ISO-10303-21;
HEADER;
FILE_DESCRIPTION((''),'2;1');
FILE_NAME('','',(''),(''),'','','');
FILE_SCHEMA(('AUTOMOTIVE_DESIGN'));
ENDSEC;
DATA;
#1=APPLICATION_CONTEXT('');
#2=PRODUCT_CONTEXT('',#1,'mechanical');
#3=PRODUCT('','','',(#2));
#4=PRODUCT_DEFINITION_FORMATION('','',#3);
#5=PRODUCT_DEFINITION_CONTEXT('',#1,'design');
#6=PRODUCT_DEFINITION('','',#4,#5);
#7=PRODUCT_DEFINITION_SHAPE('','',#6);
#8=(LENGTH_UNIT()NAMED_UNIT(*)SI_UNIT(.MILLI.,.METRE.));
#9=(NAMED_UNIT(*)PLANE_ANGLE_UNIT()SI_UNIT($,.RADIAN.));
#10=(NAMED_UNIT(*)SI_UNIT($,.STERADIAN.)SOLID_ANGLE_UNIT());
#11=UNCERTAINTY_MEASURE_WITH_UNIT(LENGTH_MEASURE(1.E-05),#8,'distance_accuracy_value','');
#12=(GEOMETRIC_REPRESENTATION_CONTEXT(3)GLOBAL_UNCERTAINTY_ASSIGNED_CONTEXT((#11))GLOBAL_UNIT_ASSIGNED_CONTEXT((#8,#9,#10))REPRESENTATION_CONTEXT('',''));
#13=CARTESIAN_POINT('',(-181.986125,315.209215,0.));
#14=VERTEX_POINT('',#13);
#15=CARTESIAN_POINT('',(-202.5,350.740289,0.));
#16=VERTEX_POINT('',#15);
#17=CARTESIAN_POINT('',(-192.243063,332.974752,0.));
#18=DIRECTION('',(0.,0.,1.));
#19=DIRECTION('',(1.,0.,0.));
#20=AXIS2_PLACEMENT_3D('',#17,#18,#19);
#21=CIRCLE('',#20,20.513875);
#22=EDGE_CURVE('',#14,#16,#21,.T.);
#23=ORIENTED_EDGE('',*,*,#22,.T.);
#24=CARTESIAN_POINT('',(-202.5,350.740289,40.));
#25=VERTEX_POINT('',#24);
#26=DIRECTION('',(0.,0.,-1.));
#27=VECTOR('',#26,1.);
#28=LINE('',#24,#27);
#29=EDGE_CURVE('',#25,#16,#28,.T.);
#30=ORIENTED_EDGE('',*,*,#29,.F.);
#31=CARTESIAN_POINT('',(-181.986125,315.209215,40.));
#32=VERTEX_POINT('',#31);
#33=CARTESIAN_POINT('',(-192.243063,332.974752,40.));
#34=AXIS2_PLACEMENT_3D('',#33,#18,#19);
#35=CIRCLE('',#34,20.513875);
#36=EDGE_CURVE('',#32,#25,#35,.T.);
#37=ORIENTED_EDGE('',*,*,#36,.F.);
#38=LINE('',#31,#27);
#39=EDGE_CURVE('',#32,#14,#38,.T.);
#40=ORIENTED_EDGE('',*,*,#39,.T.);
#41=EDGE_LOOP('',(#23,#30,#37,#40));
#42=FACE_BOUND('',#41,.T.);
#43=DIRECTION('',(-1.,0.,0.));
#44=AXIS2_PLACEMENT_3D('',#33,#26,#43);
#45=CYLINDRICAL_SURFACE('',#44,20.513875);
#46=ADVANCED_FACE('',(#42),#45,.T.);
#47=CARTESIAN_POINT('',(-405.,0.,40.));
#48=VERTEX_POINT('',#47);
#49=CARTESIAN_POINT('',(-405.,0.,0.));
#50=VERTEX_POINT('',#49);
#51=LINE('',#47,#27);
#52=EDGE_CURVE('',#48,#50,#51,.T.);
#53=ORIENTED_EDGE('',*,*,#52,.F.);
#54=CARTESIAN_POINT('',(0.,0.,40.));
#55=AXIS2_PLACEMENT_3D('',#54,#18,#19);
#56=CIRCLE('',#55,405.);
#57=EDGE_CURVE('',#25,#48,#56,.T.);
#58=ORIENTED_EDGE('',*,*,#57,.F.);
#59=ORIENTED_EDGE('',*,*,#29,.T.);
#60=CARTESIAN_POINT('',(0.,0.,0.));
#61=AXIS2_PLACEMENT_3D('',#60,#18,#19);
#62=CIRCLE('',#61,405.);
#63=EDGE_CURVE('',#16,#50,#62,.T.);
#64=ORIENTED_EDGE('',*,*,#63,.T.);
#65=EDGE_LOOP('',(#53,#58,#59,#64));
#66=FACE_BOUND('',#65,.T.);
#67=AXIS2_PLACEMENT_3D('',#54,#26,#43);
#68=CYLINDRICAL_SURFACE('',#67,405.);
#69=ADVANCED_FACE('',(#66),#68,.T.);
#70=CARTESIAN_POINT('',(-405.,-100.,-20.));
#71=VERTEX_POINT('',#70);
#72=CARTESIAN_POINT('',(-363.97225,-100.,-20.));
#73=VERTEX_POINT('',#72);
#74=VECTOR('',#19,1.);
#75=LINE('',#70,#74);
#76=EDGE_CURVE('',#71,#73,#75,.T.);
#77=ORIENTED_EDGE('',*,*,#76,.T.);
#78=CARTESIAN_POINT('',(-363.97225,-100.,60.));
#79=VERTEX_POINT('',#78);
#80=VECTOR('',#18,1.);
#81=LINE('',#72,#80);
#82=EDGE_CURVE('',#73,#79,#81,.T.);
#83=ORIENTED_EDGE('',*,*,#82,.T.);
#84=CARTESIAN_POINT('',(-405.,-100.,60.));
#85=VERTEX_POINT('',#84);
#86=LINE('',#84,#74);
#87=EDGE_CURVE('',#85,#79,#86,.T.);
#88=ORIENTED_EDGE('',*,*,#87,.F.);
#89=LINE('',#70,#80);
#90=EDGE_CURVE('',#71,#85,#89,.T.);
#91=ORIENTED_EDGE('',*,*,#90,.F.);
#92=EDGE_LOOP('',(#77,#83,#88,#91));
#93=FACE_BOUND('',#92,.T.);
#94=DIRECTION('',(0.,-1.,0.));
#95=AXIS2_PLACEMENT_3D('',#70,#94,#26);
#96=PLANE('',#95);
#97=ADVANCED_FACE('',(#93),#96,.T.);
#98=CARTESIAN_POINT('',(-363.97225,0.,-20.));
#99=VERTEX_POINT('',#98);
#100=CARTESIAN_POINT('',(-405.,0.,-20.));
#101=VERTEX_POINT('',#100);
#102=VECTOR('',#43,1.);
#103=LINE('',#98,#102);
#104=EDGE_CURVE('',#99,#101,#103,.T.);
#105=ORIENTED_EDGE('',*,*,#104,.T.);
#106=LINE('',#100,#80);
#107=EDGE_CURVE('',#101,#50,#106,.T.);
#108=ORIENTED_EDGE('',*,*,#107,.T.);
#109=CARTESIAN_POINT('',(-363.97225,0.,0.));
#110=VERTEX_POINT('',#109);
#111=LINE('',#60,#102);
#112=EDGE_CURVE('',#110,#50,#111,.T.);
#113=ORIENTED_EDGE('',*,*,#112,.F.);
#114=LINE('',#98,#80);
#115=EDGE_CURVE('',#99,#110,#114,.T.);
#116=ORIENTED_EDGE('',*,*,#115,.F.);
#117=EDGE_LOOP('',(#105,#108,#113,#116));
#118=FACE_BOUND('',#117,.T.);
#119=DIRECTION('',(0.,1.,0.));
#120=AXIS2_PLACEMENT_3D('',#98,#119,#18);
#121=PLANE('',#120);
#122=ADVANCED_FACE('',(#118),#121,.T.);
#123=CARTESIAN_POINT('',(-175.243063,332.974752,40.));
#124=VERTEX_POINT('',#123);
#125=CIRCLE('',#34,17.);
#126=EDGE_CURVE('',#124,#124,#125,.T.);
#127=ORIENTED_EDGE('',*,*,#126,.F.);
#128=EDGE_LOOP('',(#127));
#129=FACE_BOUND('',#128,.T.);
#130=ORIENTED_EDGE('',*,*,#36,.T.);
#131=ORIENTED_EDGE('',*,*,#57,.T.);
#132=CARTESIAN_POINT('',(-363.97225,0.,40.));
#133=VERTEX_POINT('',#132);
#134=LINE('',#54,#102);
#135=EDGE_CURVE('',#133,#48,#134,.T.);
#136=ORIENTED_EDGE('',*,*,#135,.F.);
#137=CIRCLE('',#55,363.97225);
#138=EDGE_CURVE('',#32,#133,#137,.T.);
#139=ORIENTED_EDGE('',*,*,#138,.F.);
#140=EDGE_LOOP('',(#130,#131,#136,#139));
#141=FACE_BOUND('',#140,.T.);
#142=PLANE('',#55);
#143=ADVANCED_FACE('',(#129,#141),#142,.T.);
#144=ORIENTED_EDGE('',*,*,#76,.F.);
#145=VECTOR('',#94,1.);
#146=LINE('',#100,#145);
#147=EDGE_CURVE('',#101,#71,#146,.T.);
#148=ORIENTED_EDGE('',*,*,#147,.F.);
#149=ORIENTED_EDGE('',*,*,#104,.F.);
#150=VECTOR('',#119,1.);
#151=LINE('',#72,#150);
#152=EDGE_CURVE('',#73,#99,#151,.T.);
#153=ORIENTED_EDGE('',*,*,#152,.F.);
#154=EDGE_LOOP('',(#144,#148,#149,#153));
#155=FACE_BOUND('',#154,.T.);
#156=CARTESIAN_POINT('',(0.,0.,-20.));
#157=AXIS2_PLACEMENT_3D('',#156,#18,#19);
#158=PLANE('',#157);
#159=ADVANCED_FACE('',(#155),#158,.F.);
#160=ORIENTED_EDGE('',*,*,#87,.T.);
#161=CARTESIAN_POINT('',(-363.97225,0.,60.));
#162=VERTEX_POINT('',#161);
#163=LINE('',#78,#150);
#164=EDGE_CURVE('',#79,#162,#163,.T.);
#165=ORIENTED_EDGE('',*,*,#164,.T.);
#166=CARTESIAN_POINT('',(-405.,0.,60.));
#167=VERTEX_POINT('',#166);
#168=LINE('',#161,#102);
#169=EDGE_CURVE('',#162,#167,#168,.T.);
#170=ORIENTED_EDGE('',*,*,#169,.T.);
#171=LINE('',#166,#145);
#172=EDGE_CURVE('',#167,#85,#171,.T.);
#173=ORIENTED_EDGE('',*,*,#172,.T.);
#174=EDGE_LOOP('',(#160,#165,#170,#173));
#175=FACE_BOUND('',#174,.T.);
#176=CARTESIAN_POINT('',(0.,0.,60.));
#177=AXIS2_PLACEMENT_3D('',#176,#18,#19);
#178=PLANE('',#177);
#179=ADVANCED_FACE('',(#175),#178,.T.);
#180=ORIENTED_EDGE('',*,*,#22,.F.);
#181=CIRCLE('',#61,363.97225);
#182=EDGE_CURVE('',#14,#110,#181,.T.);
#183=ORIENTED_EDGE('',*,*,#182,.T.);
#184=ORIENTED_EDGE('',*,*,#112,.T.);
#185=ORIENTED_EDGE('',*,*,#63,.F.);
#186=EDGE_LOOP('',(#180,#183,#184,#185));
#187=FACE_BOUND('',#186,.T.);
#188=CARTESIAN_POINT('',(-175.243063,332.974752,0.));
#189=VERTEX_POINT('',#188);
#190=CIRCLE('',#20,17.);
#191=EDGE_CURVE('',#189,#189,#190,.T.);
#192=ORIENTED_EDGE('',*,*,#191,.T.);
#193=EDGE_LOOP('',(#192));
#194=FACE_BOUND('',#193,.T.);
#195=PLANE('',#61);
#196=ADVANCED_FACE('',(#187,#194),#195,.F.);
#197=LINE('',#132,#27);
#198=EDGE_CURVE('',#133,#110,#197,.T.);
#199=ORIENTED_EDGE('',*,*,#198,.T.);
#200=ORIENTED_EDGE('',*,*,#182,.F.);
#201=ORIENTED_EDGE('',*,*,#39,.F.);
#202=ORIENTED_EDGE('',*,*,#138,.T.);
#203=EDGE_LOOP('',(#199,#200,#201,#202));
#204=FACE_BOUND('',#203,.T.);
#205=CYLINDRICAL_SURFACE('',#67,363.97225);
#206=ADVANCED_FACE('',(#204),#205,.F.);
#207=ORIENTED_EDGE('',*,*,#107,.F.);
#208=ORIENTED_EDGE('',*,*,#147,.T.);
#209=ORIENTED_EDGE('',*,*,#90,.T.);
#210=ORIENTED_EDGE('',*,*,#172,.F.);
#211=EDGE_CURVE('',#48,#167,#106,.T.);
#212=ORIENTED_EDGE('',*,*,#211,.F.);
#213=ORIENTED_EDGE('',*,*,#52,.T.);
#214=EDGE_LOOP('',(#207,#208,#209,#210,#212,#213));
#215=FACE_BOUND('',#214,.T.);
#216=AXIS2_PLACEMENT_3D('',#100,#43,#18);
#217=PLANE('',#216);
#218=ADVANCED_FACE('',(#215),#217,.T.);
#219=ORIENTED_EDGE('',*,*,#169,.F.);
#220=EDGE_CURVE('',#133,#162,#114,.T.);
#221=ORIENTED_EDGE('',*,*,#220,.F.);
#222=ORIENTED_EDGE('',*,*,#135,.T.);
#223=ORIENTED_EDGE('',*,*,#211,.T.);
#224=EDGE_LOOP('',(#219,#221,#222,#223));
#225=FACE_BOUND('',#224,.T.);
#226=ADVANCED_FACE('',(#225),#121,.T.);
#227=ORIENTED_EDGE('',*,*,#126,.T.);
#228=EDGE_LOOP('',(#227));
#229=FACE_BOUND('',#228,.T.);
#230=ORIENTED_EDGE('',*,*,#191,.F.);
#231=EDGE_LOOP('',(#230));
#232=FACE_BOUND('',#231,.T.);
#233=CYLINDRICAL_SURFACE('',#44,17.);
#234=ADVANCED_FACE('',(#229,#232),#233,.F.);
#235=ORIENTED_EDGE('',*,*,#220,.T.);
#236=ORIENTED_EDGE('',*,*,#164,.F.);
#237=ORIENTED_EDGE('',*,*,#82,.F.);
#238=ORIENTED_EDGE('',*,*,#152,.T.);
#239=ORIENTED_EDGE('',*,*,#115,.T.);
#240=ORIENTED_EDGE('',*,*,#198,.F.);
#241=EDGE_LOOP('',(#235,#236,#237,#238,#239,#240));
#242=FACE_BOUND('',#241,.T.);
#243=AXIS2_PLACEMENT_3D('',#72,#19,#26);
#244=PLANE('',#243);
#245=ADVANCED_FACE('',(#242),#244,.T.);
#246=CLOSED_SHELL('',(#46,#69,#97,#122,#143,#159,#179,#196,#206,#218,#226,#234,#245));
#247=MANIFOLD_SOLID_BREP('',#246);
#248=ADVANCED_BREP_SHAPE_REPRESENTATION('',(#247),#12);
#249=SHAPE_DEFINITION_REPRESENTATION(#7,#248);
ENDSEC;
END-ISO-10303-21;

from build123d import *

# Parameters (mm, degrees)
SKETCH_1_R           = 17
EXTRUDE_1_DEPTH      = 40
EXTRUDE_2_DEPTH      = 60
EXTRUDE_2_DEPTH_BACK = 20
SKETCH_2_W           = 41.02774957
SKETCH_2_H           = 100


with BuildPart() as part:
    # 草图1 → 凸台-拉伸1 (new body)
    with BuildSketch(Plane.XY):
        with BuildLine():
            ThreePointArc((-181.986125215, 315.209215145), (-315.209215145, 181.986125215), (-363.97225043, 0))
            Line((-363.97225043, 0), (-405, 0))
            ThreePointArc((-405, 0), (-350.740288533, 202.5), (-202.5, 350.740288533))
            ThreePointArc((-202.5, 350.740288533), (-174.477525913, 343.231689231), (-181.986125215, 315.209215145))
        make_face()
        with Locations((-192.243062607, 332.974751839)):
            Circle(SKETCH_1_R, mode=Mode.SUBTRACT)
    extrude(amount=EXTRUDE_1_DEPTH)

    # 草图2 → 凸台-拉伸2 (add, two sides: drawn at the far end of the back side and taken through both)
    with BuildSketch(Plane.XY.offset(-EXTRUDE_2_DEPTH_BACK)):
        with Locations((-384.486125215, -50)):
            Rectangle(SKETCH_2_W, SKETCH_2_H)
    extrude(amount=EXTRUDE_2_DEPTH + EXTRUDE_2_DEPTH_BACK)


solid = part.part
